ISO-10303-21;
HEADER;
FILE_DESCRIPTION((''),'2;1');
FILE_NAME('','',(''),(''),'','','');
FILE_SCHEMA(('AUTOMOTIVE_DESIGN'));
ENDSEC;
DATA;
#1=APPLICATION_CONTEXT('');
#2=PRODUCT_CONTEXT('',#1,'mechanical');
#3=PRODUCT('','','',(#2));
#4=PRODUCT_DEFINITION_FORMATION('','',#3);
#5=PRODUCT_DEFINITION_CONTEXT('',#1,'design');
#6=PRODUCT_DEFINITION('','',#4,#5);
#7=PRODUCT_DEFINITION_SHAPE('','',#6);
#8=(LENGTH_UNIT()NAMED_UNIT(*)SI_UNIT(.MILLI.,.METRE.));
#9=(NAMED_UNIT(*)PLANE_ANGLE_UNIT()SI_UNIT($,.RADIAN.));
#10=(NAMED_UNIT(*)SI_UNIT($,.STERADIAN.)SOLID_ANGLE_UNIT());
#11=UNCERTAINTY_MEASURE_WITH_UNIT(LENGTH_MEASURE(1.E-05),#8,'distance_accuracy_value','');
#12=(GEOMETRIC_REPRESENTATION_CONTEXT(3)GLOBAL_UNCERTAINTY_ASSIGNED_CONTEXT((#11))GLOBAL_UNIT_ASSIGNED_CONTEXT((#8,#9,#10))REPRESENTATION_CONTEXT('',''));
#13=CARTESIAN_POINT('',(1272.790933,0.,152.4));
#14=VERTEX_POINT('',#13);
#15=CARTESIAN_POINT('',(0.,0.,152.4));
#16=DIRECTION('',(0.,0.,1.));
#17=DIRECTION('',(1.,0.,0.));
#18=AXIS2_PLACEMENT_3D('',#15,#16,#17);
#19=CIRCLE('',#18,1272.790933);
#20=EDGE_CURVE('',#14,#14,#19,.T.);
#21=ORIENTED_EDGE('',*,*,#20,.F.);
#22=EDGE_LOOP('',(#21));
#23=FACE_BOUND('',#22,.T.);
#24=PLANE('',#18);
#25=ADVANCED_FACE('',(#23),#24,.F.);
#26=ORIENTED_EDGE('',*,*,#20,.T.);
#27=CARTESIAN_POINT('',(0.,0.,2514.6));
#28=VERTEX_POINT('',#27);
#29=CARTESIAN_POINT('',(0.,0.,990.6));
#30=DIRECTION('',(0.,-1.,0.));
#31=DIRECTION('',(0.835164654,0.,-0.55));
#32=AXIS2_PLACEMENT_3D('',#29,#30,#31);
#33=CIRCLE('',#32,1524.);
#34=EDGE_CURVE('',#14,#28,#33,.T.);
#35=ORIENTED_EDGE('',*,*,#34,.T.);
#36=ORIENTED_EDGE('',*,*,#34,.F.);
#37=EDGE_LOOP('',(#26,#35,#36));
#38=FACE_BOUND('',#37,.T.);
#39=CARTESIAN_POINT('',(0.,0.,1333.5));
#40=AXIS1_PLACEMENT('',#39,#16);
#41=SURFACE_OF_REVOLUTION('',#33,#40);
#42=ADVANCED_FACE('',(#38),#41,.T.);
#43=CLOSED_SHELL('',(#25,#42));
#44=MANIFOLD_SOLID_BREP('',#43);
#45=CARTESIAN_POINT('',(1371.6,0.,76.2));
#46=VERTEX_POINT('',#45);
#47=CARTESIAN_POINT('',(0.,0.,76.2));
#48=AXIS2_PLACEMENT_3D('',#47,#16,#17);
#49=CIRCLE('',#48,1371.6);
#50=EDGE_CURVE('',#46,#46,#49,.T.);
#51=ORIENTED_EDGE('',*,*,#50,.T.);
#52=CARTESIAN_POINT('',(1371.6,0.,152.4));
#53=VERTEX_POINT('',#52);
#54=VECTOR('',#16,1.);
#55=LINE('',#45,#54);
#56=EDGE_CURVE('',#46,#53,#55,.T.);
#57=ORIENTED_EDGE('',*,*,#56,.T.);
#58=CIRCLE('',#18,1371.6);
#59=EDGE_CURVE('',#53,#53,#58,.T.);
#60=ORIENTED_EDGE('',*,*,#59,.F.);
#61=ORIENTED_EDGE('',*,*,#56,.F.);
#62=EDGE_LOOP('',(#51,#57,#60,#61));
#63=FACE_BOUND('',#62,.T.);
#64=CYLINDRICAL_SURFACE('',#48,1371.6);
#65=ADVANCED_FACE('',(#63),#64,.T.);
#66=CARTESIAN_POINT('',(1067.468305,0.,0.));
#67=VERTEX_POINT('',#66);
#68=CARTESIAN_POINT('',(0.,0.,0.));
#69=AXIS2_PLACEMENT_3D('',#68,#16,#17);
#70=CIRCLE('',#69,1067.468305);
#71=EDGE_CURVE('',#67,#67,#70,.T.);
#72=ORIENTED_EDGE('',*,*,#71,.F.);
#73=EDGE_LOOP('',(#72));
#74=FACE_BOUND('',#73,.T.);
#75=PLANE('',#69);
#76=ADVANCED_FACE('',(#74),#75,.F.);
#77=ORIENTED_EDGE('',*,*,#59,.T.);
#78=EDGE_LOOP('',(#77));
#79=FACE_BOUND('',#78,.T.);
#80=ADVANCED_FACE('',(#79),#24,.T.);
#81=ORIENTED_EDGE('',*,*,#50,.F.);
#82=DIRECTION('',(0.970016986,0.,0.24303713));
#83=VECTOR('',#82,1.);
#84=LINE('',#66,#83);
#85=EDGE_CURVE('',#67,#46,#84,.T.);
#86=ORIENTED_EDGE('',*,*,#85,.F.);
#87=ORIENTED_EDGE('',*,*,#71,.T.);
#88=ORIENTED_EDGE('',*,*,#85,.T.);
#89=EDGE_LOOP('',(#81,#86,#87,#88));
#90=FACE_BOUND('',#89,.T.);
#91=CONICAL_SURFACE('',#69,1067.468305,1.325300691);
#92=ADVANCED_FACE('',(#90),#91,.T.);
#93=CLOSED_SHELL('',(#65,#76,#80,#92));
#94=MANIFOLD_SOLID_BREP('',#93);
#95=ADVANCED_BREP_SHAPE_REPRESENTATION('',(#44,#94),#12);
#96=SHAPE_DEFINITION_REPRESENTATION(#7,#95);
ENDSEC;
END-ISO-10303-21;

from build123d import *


with BuildPart() as f3:
    # F1 (on Front) → F3 (revolve)
    with BuildSketch(Plane.XZ):
        Polygon((0, 152.4), (0, 0), (1067.468305, 0), (1371.6, 76.2), (1371.6, 152.4), align=None)
    revolve(axis=Axis((0, 0, 1333.5), (0, 0, 1)))


with BuildPart() as f4:
    # F2 (on Front) → F4 (revolve)
    with BuildSketch(Plane.XZ):
        with BuildLine():
            Line((0, 2514.6), (0, 152.4))
            Line((0, 152.4), (1272.790933, 152.4))
            ThreePointArc((1272.790933, 152.4), (1341.639445, 1713.496673), (0, 2514.6))
        make_face()
    revolve(axis=Axis((0, 0, 1333.5), (0, 0, 1)))


solid = Compound([f3.part, f4.part])
